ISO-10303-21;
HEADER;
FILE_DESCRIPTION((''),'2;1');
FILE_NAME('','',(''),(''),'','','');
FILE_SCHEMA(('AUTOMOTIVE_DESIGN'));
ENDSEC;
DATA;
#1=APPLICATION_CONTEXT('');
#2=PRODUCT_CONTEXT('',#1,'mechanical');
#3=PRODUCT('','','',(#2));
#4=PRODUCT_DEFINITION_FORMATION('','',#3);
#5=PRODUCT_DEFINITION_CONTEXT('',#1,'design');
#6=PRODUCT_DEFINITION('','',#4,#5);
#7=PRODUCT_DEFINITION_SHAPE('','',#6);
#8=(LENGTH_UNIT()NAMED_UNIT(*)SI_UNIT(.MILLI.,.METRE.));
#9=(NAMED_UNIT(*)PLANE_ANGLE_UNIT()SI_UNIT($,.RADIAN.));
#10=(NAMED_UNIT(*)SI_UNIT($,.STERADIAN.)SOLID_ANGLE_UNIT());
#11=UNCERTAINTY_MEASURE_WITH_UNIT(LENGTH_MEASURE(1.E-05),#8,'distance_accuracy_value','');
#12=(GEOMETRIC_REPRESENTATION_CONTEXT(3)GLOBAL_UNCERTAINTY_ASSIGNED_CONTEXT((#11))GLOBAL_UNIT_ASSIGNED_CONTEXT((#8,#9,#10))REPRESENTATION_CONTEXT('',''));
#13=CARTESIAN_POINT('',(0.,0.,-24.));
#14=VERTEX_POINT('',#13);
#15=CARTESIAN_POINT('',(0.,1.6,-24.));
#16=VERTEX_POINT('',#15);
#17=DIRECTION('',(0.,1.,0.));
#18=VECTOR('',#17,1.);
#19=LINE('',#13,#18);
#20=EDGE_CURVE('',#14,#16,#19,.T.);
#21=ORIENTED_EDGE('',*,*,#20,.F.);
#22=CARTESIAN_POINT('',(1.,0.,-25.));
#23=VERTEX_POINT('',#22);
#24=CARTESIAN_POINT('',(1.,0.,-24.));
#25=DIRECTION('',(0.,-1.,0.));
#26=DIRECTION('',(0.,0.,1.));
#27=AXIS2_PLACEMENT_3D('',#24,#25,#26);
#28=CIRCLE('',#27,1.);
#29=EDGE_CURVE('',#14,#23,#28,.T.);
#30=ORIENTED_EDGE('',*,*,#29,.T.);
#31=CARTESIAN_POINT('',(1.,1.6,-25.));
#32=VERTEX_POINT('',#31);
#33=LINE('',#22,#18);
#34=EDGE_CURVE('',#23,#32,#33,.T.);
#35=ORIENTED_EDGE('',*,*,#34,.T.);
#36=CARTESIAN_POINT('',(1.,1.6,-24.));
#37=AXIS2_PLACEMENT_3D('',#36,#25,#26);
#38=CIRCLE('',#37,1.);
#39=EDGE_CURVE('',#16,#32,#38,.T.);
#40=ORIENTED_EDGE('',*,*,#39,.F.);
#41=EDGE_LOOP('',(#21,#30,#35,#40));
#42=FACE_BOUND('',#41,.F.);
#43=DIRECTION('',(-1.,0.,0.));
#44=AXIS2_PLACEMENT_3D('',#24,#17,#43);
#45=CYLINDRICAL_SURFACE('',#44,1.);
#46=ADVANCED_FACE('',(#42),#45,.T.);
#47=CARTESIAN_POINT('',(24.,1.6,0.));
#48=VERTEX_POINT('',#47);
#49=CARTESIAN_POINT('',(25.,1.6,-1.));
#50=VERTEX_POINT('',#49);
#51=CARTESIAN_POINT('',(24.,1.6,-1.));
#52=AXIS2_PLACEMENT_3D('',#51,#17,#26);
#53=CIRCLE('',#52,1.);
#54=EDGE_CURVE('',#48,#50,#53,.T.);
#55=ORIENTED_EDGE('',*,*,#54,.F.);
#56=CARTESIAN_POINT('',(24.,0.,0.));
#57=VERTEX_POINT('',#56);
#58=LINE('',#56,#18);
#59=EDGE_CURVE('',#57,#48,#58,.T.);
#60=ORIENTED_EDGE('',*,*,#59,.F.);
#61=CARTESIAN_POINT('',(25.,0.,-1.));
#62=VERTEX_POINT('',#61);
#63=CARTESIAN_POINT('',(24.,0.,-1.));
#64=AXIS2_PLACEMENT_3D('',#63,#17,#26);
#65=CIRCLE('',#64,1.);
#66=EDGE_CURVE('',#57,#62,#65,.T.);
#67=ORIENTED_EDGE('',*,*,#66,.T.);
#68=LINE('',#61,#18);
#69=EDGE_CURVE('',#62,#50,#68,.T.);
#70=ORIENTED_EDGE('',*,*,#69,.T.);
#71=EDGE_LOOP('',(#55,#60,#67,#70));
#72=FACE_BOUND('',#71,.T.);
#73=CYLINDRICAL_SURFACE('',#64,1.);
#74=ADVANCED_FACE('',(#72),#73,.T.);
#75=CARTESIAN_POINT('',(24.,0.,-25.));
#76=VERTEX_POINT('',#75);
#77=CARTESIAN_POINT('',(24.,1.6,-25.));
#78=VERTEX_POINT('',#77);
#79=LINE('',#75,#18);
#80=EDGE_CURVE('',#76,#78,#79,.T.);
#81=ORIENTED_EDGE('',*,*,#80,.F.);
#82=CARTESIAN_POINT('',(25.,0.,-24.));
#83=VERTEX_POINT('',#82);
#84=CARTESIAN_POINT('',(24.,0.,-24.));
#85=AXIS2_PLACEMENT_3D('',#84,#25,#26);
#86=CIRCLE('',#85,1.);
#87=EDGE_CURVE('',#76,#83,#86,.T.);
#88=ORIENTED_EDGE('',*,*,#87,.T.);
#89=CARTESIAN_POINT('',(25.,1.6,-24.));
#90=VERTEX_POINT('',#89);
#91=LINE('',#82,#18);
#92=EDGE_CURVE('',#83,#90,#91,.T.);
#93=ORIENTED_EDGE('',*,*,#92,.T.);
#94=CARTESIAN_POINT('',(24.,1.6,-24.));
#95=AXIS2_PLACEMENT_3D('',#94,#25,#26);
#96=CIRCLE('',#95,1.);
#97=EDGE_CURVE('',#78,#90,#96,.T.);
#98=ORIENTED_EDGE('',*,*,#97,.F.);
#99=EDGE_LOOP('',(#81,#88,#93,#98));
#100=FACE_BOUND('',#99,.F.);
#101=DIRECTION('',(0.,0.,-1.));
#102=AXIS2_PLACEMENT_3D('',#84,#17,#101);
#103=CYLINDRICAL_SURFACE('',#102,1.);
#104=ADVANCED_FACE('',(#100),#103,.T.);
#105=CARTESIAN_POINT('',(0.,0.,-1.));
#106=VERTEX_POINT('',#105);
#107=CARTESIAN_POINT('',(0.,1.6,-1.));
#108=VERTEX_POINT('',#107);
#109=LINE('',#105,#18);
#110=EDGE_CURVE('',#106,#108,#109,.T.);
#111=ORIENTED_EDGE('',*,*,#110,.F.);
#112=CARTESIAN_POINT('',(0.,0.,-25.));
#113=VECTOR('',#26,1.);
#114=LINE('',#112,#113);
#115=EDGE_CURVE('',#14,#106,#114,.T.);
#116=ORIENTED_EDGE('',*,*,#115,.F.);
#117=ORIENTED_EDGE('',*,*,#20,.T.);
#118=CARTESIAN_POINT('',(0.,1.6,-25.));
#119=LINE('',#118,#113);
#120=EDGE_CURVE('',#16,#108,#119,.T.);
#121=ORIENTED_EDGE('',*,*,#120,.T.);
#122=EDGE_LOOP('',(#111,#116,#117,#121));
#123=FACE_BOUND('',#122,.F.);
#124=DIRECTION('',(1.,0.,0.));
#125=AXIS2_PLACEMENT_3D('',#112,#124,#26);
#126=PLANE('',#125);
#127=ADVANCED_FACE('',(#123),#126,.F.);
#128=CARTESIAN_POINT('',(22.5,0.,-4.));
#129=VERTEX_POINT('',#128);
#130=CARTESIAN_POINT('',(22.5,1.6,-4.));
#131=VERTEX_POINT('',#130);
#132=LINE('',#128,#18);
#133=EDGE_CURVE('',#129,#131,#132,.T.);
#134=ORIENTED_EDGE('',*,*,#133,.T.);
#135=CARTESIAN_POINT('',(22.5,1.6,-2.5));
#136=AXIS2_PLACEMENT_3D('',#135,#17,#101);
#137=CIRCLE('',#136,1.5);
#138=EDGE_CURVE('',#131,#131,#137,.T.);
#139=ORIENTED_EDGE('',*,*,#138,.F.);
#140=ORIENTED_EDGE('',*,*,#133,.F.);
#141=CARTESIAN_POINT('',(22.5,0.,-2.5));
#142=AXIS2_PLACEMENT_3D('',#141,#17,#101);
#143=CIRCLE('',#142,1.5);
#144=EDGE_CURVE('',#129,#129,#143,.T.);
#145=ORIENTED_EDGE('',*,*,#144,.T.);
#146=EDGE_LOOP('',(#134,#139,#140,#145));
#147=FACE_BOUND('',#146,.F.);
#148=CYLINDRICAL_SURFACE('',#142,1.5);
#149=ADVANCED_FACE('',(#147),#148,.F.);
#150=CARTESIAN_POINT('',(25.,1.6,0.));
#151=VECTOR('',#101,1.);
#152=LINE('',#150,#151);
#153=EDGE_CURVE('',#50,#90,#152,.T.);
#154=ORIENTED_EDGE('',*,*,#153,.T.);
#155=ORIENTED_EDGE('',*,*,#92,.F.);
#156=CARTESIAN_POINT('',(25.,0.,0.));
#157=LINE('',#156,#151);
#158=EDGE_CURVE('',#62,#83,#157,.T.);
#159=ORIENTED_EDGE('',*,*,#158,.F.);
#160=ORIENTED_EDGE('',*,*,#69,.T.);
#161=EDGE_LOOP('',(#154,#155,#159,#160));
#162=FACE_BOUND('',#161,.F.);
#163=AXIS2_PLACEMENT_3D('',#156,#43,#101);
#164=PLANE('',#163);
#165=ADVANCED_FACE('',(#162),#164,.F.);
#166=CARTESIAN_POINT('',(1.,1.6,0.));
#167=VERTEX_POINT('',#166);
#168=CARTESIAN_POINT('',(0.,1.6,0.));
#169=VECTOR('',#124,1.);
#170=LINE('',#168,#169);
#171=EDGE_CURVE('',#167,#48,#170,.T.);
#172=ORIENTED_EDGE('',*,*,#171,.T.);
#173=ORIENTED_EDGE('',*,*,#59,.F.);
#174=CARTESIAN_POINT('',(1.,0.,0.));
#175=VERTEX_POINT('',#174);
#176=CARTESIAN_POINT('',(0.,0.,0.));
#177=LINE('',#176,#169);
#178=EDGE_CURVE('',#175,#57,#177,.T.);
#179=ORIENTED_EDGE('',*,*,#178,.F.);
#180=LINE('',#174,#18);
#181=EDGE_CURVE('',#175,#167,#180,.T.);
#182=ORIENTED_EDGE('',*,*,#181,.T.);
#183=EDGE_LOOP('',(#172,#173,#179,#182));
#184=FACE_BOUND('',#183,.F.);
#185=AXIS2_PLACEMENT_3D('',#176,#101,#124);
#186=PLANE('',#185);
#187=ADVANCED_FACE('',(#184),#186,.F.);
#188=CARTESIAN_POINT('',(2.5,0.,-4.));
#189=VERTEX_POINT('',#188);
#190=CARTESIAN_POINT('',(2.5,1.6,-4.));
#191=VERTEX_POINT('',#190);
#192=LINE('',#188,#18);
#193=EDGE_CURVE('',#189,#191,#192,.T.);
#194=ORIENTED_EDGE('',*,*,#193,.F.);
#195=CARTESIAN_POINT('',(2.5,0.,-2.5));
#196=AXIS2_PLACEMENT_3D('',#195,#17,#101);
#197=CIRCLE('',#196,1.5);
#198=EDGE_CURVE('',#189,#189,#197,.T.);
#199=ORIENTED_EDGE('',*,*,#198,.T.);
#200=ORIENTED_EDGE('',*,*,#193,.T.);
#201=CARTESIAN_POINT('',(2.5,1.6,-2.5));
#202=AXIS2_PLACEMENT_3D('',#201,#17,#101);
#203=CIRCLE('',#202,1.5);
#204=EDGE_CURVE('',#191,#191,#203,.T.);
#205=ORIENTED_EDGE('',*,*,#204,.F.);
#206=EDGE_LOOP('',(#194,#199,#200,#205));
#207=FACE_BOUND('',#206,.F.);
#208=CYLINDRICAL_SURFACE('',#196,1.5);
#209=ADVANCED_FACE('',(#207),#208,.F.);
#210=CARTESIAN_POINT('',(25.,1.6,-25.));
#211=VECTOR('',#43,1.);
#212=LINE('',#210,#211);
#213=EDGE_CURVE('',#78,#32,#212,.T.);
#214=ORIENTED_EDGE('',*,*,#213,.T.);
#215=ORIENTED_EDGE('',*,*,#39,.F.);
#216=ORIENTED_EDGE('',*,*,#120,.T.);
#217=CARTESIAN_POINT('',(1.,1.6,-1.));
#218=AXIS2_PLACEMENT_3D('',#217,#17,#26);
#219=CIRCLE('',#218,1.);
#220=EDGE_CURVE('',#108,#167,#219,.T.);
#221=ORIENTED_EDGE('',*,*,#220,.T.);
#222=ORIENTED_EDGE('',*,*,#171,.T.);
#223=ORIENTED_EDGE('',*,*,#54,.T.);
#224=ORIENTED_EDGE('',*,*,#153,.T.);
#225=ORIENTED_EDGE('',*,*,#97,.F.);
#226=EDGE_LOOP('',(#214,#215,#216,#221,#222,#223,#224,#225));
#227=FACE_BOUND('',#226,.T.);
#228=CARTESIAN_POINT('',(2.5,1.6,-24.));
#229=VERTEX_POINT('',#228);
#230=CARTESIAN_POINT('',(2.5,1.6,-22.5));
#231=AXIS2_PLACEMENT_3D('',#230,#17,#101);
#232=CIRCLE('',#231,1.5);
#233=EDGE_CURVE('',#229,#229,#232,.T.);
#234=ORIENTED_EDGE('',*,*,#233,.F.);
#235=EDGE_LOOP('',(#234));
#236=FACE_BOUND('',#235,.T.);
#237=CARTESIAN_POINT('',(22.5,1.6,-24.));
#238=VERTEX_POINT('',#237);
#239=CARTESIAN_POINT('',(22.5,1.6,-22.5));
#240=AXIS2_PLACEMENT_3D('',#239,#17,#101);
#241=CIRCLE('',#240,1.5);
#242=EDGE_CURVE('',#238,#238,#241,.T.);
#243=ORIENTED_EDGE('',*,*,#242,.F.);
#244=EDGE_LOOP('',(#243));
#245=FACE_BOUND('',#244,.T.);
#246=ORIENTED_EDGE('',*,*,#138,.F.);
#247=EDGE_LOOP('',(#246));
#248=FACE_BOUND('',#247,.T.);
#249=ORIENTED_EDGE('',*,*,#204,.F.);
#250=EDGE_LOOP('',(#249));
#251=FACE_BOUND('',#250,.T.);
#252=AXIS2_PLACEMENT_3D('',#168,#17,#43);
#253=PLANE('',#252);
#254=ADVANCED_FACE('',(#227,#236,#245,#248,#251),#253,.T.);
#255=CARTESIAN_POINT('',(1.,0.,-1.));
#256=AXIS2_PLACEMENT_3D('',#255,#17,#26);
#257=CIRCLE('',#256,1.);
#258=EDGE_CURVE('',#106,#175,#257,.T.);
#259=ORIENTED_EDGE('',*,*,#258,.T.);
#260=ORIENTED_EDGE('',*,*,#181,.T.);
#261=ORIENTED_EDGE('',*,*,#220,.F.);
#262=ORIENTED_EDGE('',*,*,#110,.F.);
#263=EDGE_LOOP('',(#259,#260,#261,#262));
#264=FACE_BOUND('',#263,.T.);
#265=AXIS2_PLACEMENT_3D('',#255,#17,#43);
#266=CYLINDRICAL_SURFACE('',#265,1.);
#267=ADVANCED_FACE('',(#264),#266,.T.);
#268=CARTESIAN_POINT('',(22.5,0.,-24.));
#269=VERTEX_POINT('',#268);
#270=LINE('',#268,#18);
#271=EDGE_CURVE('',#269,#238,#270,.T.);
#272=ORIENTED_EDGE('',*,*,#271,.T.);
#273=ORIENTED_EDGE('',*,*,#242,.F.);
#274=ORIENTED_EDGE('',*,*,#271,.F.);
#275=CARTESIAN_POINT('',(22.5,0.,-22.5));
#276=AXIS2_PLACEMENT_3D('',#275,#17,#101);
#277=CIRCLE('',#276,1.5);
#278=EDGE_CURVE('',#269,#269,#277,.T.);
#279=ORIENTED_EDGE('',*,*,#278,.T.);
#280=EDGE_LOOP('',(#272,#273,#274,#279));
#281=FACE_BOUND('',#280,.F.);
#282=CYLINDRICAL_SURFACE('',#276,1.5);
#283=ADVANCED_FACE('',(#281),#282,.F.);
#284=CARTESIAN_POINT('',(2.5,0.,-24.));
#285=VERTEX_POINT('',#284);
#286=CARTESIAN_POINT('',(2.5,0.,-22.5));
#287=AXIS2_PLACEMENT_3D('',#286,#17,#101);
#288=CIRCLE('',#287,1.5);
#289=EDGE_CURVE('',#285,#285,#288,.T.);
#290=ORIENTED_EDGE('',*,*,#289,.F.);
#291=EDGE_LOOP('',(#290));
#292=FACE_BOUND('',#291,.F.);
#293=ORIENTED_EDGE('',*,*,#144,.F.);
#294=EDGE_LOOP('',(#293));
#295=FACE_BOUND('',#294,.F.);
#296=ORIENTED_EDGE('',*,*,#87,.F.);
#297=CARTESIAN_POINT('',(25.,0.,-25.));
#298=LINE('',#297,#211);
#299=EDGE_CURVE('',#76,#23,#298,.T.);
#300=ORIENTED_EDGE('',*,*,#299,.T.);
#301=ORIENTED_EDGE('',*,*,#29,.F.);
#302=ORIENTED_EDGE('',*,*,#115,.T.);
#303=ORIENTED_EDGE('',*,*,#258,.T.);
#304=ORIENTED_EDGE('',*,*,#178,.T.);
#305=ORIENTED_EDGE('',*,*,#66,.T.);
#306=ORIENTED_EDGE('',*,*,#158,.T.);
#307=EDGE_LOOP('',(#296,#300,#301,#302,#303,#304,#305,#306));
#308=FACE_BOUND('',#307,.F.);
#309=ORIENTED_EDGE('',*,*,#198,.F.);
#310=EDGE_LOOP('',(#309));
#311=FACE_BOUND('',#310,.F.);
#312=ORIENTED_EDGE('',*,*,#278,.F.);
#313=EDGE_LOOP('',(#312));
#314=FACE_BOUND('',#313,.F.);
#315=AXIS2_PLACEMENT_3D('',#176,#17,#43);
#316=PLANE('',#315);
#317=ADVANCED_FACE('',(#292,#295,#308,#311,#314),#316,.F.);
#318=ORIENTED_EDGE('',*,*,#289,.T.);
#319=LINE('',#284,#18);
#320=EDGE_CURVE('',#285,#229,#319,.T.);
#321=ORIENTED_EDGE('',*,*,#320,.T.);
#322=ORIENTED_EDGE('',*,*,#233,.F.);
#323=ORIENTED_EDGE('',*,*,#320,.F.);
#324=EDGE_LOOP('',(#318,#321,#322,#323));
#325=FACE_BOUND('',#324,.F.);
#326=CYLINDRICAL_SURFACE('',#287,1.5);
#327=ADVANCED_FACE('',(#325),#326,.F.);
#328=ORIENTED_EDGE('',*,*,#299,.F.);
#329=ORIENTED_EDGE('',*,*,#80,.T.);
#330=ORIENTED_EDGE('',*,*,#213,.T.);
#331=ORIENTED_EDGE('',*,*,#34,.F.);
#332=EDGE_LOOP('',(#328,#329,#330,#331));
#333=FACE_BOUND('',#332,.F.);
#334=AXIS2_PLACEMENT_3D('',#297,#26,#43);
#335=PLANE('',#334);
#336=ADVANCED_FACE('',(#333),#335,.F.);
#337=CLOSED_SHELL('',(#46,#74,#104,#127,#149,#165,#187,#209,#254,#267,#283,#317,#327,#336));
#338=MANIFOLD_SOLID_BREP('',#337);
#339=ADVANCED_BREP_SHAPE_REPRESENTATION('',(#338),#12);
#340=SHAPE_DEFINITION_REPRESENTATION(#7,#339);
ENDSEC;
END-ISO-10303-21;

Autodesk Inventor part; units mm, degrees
ref_plane "YZ Plane" through (0, 0, 0) normal (1, 0, 0) x (0, 1, 0)
ref_plane "XZ Plane" through (0, 0, 0) normal (0, 1, 0) x (-1, 0, 0)
ref_plane "XY Plane" through (0, 0, 0) normal (0, 0, 1) x (1, 0, 0)
sketch "Sketch1" plane through (0, 0, 0) normal (0, 1, 0) x (-1, 0, 0)
  line L0 (0, 0) -> (-25, 0)
  line L1 (-25, 0) -> (-25, -25)
  line L2 (-25, -25) -> (0, -25)
  line L3 (0, -25) -> (0, 0)
  line L4 (-2.5, -22.5) -> (-22.5, -22.5) construction
  line L5 (-22.5, -22.5) -> (-22.5, -2.5) construction
  line L6 (-22.5, -2.5) -> (-2.5, -2.5) construction
  line L7 (-2.5, -2.5) -> (-2.5, -22.5) construction
  dimension "d0" = 25
  dimension "d1" = 25
  dimension "d2" = 20
  dimension "d3" = 20
  dimension "d4" = 2.5
  dimension "d5" = 2.5
extrude "Extrusion1" add sketch "Sketch1" along normal blind 1.6
hole "Hole1" at (2.5, 0, -22.5) at (2.5, 0, -2.5) at (22.5, 0, -2.5) at (22.5, 0, -22.5) direction (0, 1, 0) diameter 3 depth 8 tip angle 118
fillet "Fillet1" radius 1 4 edges at (25, 0.8, -25) (25, 0.8, 0) (0, 0.8, -25) (0, 0.8, 0)
properties part number "Large Encoder PCB"
